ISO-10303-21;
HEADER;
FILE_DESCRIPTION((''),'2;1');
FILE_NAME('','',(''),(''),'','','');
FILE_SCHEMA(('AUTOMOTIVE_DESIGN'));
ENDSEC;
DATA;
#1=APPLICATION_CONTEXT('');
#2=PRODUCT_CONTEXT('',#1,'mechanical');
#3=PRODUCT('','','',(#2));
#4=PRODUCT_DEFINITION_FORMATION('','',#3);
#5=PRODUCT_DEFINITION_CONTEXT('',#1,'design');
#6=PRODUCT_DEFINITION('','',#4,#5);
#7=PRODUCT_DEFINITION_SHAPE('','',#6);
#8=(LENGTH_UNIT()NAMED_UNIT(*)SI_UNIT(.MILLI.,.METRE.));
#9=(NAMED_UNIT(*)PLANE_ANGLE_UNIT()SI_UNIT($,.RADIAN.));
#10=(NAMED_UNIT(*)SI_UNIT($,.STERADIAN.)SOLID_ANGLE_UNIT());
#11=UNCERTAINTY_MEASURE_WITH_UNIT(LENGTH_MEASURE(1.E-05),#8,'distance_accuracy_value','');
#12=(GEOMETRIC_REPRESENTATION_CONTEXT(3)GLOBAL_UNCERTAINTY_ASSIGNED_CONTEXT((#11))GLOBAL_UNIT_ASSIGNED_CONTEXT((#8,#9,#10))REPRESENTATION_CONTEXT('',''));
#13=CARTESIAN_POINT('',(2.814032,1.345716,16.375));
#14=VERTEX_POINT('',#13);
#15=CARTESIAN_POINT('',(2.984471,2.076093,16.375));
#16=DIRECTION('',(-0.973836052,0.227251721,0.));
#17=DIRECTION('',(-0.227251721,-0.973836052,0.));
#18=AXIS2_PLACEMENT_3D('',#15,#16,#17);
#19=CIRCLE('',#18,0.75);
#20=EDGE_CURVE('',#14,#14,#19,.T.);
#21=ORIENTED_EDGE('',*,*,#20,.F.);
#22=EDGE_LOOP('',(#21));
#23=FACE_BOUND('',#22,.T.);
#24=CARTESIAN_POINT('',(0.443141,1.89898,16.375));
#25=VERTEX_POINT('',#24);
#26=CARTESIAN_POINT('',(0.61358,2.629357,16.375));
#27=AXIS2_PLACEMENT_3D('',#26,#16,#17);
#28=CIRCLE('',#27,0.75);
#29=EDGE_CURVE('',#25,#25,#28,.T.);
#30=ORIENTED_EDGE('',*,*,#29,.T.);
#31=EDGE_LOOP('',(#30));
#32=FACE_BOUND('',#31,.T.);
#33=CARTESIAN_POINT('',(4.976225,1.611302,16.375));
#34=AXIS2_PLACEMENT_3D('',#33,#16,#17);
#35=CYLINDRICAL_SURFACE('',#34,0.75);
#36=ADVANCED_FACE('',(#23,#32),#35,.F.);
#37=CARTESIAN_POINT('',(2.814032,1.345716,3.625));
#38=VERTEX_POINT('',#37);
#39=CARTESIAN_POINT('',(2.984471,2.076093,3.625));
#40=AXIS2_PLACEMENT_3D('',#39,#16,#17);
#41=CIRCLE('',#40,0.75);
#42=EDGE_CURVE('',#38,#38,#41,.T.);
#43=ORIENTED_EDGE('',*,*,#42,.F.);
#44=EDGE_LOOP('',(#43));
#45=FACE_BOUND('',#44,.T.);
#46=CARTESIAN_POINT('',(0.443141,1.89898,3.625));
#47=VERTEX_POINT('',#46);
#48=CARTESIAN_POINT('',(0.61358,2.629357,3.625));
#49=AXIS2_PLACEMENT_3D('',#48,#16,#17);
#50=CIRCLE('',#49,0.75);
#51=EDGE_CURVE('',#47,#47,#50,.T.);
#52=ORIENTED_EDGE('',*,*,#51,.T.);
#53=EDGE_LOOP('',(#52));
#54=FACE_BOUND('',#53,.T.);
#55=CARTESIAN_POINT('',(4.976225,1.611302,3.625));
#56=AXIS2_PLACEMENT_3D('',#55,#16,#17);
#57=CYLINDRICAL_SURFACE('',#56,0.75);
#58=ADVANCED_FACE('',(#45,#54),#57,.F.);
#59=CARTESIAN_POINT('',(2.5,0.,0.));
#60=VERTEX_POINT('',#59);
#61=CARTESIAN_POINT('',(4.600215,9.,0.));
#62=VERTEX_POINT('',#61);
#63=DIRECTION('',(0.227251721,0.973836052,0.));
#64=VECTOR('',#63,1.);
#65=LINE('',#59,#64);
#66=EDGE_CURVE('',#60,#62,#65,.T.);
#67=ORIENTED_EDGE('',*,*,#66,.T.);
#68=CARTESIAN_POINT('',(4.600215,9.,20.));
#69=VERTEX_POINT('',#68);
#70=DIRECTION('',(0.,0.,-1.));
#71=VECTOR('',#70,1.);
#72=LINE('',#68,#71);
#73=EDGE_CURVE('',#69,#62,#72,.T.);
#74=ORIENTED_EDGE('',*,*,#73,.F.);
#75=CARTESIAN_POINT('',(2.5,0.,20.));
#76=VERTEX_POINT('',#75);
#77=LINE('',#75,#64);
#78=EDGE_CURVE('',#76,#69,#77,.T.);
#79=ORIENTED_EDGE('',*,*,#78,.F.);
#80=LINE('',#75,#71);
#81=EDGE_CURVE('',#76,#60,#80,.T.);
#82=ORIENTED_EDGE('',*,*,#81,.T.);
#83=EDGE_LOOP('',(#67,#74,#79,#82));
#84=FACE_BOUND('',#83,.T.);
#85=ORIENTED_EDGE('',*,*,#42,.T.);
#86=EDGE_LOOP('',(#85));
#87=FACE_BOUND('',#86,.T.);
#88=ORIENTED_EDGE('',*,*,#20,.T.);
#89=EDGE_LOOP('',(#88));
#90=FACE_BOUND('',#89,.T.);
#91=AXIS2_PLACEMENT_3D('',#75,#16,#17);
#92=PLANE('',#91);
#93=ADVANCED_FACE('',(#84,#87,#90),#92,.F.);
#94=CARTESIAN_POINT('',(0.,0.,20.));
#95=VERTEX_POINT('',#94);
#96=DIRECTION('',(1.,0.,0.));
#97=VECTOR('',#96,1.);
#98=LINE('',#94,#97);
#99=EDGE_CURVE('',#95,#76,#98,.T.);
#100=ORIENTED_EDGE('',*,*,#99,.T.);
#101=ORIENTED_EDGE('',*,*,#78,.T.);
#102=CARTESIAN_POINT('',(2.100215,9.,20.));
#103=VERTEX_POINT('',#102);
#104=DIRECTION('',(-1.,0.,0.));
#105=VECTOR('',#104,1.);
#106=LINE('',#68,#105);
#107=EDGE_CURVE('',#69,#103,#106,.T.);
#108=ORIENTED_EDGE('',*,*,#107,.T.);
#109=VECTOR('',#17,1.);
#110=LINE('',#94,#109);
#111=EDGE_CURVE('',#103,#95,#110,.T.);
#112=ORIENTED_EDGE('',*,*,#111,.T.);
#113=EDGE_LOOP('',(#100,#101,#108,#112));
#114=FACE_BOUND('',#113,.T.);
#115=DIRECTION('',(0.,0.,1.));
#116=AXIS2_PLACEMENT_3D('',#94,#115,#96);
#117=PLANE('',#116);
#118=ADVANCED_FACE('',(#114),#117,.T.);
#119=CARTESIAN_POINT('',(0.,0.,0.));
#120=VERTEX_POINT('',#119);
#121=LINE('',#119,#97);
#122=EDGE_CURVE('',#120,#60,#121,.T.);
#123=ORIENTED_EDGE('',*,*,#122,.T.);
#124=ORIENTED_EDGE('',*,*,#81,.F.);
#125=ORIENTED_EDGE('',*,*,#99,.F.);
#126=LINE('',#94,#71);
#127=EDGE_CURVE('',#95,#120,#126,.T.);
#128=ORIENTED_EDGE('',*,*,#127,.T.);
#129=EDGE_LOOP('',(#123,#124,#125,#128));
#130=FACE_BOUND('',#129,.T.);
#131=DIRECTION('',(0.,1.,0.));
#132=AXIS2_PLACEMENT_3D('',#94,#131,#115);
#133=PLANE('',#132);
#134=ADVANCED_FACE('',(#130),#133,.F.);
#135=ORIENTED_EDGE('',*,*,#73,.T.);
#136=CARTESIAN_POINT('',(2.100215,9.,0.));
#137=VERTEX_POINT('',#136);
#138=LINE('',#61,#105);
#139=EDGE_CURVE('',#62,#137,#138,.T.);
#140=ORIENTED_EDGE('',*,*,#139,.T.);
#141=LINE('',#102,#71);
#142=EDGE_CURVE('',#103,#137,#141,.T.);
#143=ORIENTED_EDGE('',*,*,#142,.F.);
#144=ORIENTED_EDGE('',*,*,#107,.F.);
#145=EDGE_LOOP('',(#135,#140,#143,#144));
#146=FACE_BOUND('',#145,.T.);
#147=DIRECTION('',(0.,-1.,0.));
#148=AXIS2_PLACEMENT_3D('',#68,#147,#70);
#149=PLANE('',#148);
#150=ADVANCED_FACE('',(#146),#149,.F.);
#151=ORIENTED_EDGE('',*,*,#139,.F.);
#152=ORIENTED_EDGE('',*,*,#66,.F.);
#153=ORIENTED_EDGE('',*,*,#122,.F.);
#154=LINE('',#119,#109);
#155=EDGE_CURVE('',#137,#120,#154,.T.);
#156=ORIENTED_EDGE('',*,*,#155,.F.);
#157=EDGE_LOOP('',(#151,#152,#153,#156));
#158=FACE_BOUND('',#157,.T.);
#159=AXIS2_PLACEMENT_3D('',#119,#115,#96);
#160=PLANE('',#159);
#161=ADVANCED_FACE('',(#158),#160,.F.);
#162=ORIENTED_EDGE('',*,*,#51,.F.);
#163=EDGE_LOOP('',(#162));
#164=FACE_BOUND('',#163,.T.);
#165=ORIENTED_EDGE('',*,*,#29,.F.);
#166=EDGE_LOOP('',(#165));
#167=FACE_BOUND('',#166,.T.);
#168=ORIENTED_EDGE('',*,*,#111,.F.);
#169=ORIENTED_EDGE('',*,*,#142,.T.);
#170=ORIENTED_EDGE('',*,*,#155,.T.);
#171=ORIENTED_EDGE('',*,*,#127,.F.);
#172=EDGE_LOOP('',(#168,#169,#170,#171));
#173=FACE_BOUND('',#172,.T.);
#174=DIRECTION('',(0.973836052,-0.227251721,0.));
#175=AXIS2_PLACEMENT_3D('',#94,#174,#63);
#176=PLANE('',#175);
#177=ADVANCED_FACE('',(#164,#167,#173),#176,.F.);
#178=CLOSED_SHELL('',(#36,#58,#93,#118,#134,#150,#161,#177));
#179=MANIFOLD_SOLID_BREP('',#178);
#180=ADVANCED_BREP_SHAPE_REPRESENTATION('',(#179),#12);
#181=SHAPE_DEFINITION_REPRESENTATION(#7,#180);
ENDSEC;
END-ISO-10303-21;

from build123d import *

# Parameters (mm, degrees)
BOSS_EXTRUDE2_DEPTH = 20
SKETCH4_R           = 0.75
CUT_EXTRUDE1_DEPTH  = 5.479855617


with BuildPart() as part:
    # Sketch2 → Boss-Extrude2 (new body)
    with BuildSketch(Plane.XY):
        Polygon((0, 0), (2.5, 0), (4.600215416, 9), (2.100215416, 9), align=None)
    extrude(amount=BOSS_EXTRUDE2_DEPTH)

    # Sketch4 → Cut-Extrude1 (cut, through all)
    with BuildSketch(Plane(origin=(0, 0, 0), x_dir=(0, 0, 1), z_dir=(-0.973836052, 0.227251721, 0))):
        with Locations((3.625, 2.7)):
            Circle(SKETCH4_R)
        with Locations((16.375, 2.7)):
            Circle(SKETCH4_R)
    extrude(amount=-CUT_EXTRUDE1_DEPTH, mode=Mode.SUBTRACT)


solid = part.part
